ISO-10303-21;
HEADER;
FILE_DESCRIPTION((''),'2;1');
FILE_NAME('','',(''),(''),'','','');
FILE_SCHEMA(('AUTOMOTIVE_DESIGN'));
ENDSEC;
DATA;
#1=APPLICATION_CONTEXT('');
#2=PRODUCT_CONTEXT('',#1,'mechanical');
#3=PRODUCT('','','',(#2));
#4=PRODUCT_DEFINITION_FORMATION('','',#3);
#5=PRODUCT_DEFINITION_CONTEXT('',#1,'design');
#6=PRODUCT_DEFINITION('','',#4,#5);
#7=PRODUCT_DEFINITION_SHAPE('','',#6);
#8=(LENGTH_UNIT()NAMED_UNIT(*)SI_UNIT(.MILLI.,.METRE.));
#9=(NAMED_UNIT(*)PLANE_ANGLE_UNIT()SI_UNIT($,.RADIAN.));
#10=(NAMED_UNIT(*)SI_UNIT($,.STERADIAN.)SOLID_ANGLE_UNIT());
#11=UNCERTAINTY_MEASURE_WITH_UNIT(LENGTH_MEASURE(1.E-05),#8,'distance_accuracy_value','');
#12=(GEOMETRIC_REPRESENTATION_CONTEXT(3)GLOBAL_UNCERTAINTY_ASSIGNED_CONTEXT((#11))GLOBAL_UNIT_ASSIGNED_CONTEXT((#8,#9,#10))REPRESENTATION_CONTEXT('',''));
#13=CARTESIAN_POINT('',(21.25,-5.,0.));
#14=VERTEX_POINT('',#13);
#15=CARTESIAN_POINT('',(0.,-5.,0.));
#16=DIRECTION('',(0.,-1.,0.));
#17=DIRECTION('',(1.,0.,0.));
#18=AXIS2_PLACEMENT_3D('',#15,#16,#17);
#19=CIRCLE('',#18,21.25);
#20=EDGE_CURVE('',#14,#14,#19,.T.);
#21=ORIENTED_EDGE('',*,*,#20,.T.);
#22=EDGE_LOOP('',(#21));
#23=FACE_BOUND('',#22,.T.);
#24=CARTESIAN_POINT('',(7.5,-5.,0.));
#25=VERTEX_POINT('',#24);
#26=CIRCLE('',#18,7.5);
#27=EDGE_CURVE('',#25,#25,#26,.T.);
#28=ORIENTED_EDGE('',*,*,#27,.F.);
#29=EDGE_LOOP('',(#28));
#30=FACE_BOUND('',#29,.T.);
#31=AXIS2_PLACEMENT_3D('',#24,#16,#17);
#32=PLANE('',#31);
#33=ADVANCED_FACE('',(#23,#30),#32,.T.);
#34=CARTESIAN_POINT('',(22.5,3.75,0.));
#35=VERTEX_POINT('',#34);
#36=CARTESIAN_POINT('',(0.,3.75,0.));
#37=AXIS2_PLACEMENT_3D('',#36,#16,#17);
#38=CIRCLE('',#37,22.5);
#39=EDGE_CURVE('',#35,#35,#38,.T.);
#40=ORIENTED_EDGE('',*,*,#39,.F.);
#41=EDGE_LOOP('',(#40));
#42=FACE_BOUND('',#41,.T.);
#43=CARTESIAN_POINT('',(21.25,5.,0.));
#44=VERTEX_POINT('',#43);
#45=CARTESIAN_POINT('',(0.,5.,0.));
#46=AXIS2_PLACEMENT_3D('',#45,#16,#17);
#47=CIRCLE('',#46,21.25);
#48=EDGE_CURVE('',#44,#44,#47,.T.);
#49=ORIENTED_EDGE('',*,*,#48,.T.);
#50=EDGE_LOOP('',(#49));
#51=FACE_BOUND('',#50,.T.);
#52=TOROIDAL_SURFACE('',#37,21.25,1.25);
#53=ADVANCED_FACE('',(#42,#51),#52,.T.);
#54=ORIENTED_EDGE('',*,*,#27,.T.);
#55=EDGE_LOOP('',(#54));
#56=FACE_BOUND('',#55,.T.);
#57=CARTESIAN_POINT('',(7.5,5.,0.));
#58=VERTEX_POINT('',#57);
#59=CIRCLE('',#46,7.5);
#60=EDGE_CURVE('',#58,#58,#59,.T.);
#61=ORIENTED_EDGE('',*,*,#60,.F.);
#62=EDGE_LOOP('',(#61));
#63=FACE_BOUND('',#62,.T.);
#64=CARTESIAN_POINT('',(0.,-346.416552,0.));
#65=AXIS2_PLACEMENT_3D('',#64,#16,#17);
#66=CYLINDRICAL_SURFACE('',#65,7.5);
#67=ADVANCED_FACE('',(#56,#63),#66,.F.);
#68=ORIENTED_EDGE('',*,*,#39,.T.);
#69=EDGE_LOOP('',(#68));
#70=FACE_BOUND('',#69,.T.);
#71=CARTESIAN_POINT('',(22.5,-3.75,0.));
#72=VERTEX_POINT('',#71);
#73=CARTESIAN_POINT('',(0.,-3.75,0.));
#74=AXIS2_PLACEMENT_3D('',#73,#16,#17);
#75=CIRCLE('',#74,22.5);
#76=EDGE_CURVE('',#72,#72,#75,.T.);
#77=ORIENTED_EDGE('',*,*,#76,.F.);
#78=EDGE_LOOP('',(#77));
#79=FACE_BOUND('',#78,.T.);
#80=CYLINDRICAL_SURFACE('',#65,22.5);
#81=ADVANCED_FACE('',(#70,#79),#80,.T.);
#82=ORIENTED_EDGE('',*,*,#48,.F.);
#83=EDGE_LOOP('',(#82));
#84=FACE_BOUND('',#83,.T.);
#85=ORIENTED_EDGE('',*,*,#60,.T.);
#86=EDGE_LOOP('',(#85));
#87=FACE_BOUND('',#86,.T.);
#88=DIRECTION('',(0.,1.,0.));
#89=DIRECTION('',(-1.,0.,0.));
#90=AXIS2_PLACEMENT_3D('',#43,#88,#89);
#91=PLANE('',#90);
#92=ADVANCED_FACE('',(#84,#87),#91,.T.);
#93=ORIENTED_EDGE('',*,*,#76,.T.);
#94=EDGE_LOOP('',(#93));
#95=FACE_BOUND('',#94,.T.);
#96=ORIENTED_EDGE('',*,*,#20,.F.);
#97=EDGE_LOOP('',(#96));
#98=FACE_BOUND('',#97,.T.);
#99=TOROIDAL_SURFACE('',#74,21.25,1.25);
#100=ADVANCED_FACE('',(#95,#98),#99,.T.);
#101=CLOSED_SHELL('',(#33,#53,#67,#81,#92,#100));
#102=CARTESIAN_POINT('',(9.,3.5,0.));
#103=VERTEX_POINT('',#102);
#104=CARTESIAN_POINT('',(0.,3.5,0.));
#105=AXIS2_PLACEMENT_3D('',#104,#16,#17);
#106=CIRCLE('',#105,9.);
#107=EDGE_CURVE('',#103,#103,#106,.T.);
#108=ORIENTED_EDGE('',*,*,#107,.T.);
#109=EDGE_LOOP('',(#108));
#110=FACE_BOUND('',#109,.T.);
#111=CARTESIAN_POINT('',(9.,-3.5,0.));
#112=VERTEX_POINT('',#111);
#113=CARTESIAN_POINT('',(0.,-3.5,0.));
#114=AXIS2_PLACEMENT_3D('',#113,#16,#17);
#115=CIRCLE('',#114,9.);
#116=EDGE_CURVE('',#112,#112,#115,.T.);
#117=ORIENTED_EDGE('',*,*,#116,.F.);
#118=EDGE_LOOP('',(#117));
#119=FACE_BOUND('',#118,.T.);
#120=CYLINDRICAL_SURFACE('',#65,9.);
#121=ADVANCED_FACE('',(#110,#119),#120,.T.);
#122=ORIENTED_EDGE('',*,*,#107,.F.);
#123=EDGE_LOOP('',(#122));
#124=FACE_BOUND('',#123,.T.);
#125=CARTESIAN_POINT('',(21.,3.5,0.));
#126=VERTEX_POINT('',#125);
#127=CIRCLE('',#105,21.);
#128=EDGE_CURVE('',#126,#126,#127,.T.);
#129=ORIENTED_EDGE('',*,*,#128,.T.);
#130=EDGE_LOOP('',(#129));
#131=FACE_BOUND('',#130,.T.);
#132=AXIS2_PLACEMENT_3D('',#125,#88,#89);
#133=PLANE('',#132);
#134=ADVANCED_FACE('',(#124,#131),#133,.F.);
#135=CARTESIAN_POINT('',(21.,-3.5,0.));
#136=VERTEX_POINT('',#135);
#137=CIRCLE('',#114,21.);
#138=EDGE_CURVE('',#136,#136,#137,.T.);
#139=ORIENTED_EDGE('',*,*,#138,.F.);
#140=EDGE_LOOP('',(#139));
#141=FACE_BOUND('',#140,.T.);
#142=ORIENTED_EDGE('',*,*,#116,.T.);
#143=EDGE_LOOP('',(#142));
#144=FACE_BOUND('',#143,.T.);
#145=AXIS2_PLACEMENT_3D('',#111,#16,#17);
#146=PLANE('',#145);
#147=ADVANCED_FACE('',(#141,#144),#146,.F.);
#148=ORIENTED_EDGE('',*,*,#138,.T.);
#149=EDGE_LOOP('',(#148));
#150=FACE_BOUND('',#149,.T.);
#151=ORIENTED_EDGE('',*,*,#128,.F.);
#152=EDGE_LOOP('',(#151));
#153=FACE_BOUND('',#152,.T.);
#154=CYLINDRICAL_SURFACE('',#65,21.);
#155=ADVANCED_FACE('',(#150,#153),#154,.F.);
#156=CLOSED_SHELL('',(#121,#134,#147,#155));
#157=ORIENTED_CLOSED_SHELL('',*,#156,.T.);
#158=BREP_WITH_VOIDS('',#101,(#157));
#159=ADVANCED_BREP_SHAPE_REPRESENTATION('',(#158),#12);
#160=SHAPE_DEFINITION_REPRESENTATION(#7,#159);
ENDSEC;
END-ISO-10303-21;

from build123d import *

# Parameters (mm, degrees)
SKETCH_1_W = 12
SKETCH_1_H = 7


with BuildPart() as part:
    # 草图1 → 旋转3 (revolve)
    with BuildSketch(Plane.XY):
        with BuildLine():
            Line((7.5, 5), (7.5, -5))
            Line((7.5, -5), (21.25, -5))
            ThreePointArc((21.25, -5), (22.133883476, -4.633883476), (22.5, -3.75))
            Line((22.5, -3.75), (22.5, 3.75))
            ThreePointArc((22.5, 3.75), (22.133883476, 4.633883476), (21.25, 5))
            Line((21.25, 5), (7.5, 5))
        make_face()
        with Locations((15, 0)):
            Rectangle(SKETCH_1_W, SKETCH_1_H, mode=Mode.SUBTRACT)
    revolve(axis=Axis((0, -346.416551839, 0), (0, 1, 0)))


solid = part.part
